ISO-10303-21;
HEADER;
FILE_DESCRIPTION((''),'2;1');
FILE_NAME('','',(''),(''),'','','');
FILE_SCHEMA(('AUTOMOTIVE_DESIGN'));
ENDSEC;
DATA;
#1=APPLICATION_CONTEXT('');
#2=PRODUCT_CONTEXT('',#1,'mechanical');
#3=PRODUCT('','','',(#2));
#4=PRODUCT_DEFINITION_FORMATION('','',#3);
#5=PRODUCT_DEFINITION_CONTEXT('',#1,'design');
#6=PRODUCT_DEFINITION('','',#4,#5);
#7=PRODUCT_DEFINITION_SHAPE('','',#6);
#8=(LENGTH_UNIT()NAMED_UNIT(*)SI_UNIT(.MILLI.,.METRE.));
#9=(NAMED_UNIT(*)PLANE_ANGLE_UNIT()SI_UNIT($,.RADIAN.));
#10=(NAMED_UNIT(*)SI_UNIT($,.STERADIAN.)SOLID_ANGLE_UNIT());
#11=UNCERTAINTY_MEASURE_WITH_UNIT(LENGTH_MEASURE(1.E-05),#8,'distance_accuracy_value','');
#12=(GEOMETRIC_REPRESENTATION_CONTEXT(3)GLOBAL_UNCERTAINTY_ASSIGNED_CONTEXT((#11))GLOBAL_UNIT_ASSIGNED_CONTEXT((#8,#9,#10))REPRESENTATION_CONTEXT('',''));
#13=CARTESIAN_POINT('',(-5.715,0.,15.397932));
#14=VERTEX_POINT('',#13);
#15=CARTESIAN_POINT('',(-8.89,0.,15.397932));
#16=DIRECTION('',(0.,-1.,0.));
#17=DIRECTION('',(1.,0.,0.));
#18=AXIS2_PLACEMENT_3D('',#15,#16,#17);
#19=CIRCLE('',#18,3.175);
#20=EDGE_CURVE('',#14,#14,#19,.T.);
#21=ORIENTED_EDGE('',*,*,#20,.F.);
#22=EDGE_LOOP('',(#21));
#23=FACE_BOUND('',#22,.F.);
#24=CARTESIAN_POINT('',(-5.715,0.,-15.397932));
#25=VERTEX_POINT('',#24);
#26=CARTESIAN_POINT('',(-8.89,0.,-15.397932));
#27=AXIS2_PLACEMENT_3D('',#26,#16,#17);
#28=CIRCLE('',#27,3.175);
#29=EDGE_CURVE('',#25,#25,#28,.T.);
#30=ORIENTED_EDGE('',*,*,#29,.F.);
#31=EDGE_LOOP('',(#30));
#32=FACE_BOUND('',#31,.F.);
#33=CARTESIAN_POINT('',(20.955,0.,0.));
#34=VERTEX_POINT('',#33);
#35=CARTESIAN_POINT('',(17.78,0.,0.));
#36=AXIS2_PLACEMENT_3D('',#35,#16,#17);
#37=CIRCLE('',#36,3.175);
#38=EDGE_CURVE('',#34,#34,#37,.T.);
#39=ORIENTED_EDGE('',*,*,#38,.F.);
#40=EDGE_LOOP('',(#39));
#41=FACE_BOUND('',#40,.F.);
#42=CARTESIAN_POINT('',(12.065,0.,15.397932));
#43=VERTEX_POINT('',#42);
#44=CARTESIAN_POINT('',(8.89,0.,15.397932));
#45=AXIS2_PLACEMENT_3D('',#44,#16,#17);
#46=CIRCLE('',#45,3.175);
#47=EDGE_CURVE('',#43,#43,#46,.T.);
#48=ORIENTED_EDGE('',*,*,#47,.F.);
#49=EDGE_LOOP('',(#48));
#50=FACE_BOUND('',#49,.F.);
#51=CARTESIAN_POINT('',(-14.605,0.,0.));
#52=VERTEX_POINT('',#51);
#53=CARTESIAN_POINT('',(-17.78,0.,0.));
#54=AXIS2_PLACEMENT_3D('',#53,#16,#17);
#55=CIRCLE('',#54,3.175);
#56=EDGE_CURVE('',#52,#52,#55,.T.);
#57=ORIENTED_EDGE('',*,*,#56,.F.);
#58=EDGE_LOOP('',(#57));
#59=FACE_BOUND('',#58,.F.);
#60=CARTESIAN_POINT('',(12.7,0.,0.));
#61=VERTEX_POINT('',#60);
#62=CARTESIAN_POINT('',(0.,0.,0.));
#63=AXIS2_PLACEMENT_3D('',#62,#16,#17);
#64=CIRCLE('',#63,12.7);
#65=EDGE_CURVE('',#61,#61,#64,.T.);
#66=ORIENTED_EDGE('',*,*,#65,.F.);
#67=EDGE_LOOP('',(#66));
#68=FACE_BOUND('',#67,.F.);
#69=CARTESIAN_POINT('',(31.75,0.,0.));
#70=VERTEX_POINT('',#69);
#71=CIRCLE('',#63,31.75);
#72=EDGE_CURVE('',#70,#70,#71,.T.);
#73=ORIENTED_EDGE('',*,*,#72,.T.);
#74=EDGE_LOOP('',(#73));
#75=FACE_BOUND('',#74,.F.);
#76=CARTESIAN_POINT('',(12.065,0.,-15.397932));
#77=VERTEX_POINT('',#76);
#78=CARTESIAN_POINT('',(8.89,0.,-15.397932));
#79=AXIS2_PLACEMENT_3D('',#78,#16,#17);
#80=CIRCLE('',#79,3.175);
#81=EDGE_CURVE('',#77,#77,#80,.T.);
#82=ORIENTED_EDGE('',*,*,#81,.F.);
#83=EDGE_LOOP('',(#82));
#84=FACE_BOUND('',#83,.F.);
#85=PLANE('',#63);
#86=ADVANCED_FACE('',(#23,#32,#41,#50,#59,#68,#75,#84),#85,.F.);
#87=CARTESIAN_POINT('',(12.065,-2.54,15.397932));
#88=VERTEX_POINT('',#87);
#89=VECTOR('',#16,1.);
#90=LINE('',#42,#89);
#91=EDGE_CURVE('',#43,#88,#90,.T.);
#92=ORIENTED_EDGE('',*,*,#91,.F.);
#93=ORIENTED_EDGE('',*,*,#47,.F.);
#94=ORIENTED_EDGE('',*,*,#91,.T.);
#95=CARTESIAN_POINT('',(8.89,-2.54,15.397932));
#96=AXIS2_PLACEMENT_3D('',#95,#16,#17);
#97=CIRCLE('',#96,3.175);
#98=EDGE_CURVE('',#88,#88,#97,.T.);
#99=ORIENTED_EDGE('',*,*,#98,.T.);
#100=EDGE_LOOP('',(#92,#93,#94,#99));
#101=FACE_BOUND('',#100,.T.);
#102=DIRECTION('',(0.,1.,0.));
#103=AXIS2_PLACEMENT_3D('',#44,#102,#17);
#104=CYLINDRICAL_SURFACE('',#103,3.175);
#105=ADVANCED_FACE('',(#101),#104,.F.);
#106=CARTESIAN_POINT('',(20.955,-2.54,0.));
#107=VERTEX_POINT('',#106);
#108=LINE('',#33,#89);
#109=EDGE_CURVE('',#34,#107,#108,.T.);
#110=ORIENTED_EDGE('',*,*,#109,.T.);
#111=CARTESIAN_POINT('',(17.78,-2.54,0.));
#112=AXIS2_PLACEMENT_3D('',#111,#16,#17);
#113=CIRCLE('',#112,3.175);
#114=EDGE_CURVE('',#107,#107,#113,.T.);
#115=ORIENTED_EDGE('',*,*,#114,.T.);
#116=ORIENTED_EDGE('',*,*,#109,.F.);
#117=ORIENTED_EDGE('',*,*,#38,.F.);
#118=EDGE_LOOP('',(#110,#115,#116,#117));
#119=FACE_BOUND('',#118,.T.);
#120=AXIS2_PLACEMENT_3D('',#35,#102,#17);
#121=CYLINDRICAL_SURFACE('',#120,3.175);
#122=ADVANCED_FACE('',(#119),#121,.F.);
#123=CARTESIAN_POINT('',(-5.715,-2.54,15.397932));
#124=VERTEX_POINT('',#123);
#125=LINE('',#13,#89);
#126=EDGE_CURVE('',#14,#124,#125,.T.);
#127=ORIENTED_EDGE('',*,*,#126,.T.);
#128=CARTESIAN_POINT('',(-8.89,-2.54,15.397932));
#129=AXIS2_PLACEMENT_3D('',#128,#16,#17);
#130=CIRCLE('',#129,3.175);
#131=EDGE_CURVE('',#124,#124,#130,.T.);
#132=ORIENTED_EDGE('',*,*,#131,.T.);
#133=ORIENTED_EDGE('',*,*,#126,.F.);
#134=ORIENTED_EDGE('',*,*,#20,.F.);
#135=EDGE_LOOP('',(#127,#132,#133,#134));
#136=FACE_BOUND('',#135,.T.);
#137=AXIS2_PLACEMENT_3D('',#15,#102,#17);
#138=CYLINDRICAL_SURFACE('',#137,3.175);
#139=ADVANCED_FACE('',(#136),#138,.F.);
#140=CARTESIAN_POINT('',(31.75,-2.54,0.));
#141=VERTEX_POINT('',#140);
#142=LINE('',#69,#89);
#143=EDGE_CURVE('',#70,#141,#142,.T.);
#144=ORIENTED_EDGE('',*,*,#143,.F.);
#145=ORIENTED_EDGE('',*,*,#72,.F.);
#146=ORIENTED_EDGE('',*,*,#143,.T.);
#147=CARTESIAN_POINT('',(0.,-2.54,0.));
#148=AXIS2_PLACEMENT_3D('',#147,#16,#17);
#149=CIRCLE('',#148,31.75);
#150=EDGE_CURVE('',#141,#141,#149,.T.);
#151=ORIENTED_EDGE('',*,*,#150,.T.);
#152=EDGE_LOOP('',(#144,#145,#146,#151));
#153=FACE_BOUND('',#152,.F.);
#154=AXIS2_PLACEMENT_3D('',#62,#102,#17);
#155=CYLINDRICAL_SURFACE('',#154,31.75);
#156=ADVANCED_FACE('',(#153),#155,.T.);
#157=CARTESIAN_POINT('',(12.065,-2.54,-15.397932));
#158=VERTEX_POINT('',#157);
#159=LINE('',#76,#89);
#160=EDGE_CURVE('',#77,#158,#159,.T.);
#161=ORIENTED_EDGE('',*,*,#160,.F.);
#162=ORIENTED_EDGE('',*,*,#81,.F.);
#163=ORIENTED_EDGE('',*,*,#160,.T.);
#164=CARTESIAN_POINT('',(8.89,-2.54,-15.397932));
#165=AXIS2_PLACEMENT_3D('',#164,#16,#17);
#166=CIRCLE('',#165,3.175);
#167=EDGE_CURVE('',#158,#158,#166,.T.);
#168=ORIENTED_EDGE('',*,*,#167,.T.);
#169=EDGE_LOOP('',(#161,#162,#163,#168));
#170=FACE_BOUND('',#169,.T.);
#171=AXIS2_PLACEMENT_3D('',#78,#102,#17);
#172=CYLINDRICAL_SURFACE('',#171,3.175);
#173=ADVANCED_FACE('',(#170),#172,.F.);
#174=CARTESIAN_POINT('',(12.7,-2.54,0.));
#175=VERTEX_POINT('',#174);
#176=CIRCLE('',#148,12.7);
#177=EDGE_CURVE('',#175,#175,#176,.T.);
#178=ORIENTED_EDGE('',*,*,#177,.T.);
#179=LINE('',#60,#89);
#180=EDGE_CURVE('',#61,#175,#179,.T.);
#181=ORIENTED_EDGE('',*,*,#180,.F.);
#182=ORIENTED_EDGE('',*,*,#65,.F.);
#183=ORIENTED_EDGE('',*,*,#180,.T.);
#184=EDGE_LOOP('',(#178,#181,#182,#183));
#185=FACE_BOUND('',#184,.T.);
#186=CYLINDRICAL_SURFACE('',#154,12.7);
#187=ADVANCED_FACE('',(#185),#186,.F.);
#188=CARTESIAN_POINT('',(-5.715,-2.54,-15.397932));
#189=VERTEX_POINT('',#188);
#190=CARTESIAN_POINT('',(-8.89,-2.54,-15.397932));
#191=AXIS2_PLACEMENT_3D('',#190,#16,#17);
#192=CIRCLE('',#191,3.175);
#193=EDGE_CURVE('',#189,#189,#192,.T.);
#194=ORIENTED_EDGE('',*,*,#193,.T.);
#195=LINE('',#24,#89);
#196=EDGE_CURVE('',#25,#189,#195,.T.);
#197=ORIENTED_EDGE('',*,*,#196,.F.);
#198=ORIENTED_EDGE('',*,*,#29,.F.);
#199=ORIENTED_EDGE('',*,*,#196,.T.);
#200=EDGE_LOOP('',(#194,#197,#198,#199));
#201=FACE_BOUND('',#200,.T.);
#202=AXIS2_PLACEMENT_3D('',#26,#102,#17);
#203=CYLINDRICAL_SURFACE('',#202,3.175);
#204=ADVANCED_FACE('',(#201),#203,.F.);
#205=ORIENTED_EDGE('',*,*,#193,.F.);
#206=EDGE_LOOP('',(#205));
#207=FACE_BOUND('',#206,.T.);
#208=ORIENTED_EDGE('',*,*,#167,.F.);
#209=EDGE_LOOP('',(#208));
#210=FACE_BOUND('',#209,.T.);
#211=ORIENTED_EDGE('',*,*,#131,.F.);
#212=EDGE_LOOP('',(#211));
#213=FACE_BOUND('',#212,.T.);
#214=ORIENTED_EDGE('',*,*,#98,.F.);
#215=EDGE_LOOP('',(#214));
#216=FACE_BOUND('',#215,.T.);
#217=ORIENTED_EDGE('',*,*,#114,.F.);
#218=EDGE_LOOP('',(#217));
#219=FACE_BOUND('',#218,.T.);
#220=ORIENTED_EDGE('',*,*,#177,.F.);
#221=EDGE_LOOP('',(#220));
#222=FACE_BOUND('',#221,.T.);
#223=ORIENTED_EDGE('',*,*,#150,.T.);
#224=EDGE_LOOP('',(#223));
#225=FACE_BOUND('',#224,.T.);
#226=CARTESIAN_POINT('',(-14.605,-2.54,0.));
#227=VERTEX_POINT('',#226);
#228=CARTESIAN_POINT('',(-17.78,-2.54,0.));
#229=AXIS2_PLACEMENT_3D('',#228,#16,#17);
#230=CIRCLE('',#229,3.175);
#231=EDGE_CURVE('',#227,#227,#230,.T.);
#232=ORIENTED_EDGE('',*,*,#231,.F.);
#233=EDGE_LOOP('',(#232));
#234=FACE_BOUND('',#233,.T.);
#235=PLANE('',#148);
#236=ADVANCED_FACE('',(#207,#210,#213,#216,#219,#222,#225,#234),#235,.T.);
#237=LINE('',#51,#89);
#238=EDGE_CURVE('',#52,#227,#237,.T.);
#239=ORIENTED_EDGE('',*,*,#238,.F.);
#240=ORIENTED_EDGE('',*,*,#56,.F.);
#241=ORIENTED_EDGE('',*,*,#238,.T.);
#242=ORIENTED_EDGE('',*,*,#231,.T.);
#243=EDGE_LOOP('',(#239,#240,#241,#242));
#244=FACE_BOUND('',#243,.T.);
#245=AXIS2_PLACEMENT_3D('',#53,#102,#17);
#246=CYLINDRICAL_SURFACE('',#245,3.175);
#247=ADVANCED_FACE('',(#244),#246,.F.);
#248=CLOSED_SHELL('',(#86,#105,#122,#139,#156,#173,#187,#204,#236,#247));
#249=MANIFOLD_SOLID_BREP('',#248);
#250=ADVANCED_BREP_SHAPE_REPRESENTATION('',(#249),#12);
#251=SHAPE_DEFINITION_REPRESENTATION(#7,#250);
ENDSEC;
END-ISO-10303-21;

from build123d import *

# Parameters (mm, degrees)
F0_R     = 31.75
F0_R_2   = 3.175
F0_R_3   = 12.7
F1_DEPTH = 2.54


with BuildPart() as f1:
    # F0 (on Front) → F1 (new body)
    with BuildSketch(Plane.XZ):
        Circle(F0_R)
        with Locations((-8.89, -15.397932)):
            Circle(F0_R_2, mode=Mode.SUBTRACT)
        with Locations((8.89, -15.397932)):
            Circle(F0_R_2, mode=Mode.SUBTRACT)
        with Locations((-17.78, 0)):
            Circle(F0_R_2, mode=Mode.SUBTRACT)
        with Locations((-8.89, 15.397932)):
            Circle(F0_R_2, mode=Mode.SUBTRACT)
        Circle(F0_R_3, mode=Mode.SUBTRACT)
        with Locations((8.89, 15.397932)):
            Circle(F0_R_2, mode=Mode.SUBTRACT)
        with Locations((17.78, 0)):
            Circle(F0_R_2, mode=Mode.SUBTRACT)
    extrude(amount=F1_DEPTH)


solid = f1.part
